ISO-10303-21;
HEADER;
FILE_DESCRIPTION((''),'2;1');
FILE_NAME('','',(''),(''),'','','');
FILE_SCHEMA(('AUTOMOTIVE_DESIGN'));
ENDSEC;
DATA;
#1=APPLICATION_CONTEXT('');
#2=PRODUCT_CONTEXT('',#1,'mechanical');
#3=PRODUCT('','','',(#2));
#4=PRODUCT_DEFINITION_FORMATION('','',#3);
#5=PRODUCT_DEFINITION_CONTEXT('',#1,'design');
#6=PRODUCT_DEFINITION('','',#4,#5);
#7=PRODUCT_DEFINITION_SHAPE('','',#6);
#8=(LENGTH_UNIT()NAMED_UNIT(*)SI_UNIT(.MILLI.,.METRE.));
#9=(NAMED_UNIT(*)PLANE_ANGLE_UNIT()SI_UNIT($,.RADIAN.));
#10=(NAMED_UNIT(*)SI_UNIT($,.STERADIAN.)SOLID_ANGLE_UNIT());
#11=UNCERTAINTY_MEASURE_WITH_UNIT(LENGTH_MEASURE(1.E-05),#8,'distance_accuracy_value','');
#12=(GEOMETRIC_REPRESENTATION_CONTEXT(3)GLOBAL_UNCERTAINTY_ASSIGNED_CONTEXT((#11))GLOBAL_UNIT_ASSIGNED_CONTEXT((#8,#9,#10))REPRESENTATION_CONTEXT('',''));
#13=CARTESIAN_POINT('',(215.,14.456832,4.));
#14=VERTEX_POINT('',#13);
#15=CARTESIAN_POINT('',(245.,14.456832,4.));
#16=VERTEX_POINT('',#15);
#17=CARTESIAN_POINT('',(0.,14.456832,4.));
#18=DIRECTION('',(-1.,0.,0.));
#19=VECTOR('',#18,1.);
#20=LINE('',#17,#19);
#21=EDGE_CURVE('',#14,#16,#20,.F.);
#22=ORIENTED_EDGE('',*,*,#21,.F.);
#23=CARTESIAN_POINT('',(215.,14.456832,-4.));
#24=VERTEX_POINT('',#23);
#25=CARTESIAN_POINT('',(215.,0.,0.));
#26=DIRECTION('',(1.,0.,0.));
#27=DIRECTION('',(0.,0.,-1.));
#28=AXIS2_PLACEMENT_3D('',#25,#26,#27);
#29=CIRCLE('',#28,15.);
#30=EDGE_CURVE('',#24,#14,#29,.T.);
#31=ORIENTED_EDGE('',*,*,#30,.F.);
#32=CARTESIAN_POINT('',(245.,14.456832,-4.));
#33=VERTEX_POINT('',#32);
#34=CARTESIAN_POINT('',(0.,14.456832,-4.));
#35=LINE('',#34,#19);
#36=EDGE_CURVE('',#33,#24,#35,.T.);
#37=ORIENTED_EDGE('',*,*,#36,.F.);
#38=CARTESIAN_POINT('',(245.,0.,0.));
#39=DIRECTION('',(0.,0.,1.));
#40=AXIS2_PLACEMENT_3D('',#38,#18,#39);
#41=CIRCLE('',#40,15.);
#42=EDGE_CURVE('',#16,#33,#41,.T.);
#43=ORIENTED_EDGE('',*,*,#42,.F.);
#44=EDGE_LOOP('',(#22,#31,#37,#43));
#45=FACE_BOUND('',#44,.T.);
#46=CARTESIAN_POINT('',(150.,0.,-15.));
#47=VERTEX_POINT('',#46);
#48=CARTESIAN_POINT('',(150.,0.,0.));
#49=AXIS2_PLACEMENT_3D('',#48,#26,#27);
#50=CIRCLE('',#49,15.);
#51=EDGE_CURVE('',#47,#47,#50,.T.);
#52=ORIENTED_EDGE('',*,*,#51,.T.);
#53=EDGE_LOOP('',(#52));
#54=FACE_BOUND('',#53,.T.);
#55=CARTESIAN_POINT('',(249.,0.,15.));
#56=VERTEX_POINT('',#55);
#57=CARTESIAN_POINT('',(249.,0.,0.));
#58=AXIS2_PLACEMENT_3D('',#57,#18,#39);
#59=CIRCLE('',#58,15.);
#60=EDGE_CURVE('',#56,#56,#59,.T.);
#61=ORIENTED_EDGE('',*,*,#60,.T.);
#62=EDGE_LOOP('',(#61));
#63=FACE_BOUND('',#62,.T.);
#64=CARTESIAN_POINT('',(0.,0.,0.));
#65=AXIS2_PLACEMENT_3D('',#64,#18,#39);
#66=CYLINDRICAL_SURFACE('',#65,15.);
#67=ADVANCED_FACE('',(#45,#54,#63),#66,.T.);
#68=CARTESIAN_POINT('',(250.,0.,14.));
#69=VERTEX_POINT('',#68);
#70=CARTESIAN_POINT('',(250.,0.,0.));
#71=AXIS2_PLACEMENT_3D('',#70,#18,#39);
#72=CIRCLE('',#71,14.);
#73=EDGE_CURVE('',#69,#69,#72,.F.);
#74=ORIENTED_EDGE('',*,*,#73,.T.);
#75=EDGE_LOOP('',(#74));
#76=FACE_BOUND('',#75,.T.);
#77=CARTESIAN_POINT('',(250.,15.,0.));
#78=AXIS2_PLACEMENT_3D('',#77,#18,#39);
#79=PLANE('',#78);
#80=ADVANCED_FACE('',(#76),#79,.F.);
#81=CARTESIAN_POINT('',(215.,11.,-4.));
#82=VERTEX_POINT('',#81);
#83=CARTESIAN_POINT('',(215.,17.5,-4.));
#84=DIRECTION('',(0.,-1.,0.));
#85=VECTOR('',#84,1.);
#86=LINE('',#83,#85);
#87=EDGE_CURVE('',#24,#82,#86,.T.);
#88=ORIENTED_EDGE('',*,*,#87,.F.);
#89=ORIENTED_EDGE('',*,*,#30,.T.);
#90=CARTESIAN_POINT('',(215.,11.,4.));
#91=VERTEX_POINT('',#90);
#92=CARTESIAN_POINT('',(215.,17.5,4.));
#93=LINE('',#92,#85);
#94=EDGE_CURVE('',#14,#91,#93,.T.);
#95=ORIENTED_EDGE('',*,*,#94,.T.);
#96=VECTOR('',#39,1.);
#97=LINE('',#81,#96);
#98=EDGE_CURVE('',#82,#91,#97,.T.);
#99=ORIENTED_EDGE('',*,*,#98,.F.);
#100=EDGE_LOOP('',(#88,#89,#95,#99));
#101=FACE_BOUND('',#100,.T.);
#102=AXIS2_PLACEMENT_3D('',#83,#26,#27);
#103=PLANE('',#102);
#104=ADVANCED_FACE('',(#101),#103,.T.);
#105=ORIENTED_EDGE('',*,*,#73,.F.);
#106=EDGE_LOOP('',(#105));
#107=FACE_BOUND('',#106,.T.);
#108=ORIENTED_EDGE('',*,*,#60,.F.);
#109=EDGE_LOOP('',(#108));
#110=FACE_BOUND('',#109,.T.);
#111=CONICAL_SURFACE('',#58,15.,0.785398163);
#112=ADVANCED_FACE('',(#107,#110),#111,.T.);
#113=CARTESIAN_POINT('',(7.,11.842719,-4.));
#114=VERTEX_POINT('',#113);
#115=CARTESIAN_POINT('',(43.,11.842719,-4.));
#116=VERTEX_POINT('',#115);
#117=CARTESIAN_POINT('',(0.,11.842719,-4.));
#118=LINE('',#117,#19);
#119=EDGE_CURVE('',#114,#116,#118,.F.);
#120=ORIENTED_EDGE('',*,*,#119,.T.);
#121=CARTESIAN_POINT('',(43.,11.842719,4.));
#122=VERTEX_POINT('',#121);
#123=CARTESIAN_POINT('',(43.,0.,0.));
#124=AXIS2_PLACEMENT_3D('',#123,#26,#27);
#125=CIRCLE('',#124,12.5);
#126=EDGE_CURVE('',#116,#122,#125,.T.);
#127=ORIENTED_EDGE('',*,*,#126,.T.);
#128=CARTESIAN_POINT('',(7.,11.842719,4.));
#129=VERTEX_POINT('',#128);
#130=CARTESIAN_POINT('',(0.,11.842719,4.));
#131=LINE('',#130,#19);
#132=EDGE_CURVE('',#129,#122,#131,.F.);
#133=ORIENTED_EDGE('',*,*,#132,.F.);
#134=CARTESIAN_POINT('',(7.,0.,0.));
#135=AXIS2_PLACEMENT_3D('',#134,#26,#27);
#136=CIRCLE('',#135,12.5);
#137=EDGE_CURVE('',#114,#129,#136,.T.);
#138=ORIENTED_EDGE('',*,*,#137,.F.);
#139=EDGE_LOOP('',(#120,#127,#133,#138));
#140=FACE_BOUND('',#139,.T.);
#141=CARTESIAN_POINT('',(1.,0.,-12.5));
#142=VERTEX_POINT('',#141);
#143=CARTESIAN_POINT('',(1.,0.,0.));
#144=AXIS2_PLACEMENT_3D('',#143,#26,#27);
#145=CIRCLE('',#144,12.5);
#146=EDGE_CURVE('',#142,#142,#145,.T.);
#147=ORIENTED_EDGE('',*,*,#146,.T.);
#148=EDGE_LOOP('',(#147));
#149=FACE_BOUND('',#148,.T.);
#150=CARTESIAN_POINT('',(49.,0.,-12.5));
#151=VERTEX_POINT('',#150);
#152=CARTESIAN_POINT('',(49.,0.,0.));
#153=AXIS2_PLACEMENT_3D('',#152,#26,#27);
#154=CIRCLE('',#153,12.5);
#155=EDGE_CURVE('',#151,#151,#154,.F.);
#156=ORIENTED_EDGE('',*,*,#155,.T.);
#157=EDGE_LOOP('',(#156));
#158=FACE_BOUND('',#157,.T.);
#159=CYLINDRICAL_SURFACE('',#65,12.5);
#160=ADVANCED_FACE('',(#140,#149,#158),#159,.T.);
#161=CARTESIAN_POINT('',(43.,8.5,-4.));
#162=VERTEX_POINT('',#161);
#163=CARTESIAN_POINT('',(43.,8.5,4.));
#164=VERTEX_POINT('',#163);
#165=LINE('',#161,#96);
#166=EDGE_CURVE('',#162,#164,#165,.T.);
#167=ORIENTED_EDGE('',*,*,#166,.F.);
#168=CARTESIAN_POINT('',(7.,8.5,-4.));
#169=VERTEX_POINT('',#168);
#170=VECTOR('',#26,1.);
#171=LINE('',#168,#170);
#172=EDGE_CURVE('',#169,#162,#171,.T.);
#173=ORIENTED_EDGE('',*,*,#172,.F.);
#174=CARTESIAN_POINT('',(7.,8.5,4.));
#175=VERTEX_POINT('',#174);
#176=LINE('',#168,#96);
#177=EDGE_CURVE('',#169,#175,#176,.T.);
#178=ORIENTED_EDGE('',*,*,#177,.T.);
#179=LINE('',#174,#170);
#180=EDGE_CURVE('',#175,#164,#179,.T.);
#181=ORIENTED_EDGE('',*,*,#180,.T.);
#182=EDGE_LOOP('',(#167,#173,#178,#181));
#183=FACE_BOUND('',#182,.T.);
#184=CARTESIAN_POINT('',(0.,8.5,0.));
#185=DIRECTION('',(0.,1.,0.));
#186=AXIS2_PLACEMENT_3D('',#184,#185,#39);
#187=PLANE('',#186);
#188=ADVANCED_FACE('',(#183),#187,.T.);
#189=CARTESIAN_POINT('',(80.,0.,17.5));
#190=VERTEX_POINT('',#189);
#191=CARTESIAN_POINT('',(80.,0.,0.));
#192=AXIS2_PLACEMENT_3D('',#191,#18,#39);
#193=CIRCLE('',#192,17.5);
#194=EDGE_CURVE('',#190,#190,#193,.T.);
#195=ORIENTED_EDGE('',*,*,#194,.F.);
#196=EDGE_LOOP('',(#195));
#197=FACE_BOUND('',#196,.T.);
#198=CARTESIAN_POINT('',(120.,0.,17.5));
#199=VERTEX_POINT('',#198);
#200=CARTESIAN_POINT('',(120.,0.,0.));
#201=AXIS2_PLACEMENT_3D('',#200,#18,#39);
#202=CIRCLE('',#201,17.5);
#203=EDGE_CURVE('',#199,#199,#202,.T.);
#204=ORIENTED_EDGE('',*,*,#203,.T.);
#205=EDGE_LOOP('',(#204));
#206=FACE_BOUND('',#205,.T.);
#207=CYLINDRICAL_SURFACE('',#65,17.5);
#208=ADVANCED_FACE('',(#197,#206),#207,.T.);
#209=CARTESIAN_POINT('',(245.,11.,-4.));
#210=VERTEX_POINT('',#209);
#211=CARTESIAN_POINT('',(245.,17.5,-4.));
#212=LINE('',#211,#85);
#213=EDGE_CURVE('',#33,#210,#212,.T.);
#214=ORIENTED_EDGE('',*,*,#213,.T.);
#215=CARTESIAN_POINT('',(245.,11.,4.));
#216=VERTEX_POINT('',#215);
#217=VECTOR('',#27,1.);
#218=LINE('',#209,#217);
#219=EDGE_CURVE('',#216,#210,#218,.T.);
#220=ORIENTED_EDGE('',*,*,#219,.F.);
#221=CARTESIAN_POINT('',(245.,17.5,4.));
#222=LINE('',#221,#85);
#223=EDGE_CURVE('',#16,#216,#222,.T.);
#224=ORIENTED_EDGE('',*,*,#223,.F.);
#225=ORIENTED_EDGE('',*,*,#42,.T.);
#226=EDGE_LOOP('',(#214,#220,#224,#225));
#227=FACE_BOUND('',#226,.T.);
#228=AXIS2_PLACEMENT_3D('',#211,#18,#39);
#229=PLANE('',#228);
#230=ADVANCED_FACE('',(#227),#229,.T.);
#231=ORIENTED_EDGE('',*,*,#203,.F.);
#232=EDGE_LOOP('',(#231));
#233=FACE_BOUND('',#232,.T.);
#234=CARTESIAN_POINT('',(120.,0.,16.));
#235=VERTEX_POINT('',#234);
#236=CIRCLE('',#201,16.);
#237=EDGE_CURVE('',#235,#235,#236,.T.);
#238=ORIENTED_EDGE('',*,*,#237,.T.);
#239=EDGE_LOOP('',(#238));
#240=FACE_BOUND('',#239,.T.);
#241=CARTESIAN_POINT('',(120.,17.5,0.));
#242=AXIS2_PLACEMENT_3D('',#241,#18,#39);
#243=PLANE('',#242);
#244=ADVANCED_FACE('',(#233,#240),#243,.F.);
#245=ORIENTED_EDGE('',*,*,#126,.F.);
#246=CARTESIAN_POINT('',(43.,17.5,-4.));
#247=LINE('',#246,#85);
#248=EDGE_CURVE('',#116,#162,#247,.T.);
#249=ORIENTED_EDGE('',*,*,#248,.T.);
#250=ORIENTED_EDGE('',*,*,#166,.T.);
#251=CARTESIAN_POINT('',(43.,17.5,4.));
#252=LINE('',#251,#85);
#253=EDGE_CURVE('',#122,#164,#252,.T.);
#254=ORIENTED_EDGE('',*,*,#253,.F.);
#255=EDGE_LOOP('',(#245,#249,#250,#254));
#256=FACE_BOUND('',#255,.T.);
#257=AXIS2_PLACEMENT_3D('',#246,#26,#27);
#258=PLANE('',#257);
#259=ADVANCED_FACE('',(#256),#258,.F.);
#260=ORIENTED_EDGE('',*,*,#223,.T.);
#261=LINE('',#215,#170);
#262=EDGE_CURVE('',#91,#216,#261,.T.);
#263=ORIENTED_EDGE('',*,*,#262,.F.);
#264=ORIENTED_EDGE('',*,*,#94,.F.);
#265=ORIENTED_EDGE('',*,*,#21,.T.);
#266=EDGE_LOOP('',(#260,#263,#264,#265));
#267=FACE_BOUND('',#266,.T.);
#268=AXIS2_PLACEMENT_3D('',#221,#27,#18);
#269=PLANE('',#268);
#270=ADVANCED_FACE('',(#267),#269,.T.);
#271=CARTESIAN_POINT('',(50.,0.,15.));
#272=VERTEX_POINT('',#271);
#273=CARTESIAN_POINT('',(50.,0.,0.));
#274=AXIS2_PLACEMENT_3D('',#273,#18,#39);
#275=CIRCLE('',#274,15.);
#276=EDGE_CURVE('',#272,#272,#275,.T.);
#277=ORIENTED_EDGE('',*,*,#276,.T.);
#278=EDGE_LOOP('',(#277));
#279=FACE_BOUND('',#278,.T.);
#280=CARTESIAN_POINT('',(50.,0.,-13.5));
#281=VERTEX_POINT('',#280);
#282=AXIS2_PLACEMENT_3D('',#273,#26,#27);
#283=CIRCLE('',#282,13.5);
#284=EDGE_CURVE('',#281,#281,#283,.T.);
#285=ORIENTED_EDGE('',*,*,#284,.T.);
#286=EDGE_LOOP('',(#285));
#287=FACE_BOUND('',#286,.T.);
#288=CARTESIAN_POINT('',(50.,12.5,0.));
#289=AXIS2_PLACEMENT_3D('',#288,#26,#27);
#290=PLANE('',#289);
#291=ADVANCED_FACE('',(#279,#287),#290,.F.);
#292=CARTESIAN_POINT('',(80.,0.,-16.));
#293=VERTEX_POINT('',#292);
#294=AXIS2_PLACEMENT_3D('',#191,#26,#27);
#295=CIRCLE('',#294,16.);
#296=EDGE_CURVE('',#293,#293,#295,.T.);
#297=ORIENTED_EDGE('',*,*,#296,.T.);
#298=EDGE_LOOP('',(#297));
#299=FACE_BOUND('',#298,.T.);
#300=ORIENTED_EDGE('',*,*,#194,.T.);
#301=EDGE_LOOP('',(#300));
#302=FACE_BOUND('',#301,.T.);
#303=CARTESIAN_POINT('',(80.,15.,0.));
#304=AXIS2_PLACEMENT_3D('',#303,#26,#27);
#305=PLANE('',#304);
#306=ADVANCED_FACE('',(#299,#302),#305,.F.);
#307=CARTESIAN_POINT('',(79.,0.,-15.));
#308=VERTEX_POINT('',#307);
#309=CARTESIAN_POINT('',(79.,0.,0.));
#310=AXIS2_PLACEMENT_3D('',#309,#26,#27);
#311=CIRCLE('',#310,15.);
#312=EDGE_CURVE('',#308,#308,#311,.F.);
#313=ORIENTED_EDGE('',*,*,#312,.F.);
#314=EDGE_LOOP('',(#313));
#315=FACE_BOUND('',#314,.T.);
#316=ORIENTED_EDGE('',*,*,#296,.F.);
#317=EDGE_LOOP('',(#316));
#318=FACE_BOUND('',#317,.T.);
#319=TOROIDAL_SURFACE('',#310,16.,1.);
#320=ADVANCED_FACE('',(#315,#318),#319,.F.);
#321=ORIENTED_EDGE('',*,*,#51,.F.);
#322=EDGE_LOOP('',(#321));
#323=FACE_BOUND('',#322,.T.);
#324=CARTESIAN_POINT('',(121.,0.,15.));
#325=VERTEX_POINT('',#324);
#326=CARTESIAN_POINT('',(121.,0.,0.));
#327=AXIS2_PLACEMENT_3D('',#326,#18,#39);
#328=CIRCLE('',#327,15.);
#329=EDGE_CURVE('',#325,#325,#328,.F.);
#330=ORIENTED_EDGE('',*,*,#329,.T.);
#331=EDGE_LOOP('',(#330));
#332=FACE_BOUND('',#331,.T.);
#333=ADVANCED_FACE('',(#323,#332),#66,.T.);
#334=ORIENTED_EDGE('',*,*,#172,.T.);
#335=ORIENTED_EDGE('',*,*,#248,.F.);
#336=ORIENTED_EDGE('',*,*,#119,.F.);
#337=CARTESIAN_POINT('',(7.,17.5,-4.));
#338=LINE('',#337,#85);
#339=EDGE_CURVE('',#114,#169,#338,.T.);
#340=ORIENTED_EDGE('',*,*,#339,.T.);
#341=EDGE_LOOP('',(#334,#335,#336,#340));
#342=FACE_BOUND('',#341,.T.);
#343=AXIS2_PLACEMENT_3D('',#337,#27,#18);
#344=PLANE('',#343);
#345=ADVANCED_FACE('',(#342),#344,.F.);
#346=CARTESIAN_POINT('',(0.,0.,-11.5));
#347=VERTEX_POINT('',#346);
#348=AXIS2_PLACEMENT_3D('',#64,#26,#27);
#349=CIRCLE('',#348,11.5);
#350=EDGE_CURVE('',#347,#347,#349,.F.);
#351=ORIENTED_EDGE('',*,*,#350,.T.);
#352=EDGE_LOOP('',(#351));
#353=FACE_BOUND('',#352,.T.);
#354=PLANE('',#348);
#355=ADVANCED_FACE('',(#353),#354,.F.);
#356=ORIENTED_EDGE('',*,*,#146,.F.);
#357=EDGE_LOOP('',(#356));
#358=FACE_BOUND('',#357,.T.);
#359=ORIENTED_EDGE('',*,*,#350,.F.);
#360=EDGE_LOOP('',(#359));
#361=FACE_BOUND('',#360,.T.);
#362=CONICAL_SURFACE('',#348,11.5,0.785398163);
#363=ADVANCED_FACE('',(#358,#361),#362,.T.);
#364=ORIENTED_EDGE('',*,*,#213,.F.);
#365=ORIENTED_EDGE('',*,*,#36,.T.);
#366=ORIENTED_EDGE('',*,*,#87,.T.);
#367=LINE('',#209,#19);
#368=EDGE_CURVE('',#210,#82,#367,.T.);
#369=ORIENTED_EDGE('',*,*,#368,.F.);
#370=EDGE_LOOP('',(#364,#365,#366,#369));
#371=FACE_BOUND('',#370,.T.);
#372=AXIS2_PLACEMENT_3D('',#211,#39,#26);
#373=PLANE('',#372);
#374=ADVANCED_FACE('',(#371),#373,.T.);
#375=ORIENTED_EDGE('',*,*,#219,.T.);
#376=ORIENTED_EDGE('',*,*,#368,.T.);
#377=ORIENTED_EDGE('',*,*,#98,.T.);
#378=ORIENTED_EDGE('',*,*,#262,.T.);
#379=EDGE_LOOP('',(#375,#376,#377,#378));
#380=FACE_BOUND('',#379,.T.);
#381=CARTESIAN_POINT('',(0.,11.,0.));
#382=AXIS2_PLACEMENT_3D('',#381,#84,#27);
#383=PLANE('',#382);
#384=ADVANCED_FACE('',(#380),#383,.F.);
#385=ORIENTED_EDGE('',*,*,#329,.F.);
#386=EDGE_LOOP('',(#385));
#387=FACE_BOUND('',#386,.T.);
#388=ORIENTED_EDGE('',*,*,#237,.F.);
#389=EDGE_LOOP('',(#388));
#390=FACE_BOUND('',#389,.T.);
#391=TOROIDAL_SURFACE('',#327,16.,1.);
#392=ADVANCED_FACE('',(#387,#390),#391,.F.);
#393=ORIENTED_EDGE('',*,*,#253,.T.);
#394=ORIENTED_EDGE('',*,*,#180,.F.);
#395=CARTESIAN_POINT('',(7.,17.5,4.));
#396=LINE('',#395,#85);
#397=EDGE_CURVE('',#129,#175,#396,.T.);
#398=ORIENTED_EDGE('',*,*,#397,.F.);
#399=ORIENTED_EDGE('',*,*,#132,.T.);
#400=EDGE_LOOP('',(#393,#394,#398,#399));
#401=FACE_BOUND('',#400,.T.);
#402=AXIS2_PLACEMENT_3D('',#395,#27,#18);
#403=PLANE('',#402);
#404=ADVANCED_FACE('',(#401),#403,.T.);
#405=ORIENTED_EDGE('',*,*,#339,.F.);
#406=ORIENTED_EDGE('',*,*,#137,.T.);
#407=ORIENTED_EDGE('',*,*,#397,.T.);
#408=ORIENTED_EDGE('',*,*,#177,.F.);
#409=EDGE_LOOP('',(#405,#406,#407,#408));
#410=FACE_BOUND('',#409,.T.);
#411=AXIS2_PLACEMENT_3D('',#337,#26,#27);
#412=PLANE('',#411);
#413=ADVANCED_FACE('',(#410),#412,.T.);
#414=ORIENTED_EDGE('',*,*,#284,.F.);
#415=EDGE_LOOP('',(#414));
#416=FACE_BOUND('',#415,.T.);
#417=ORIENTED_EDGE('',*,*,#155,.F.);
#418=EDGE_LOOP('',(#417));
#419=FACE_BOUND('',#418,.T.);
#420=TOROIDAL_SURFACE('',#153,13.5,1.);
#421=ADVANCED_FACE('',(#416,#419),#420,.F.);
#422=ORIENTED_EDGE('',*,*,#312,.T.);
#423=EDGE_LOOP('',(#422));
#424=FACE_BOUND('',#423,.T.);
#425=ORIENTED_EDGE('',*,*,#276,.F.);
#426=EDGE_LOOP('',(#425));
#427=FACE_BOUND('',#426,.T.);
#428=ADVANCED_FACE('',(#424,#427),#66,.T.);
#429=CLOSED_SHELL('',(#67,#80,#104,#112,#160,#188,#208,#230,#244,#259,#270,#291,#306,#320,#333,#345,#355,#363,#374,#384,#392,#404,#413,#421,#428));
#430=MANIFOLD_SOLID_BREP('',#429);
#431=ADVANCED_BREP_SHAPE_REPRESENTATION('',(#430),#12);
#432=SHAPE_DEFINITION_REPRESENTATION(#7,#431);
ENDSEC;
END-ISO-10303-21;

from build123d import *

# Parameters (mm, degrees)
SKETCH2_W          = 36
SKETCH2_H          = 8
CUT_EXTRUDE2_DEPTH = 252.956841542
SKETCH3_W          = 30
SKETCH3_H          = 8
CUT_EXTRUDE3_DEPTH = 253.227080227
FILLET1_R          = 1
CHAMFER1_SIZE      = 1


with BuildPart() as part:
    # Sketch1 → Revolve1 (revolve)
    with BuildSketch(Plane.XY, mode=Mode.PRIVATE) as revolve1_sk:
        Polygon((0, 0), (0, 12.5), (50, 12.5), (50, 15), (80, 15), (80, 17.5), (120, 17.5), (120, 15), (250, 15), (250, 0), align=None)
    revolve(revolve1_sk.sketch.rotate(Axis((0, 0, 0), (1, 0, 0)), 90), axis=Axis((0, 0, 0), (1, 0, 0)))

    # Sketch2 → Cut-Extrude2 (cut, through all)
    with BuildSketch(Plane(origin=(0, 8.5, 0), x_dir=(1, 0, 0), z_dir=(0, 1, 0))):
        with Locations((25, 0)):
            Rectangle(SKETCH2_W, SKETCH2_H)
    extrude(amount=CUT_EXTRUDE2_DEPTH, mode=Mode.SUBTRACT)

    # Sketch3 → Cut-Extrude3 (cut, through all)
    with BuildSketch(Plane(origin=(0, 11, 0), x_dir=(1, 0, 0), z_dir=(0, 1, 0))):
        with Locations((230, 0)):
            Rectangle(SKETCH3_W, SKETCH3_H)
    extrude(amount=CUT_EXTRUDE3_DEPTH, mode=Mode.SUBTRACT)

    # Fillet1
    fillet1_edges = [part.edges().sort_by_distance(p)[0] for p in [
        (80, 0, -15),
        (50, 0, -12.5),
        (120, 0, -15),
    ]]
    fillet(fillet1_edges, radius=FILLET1_R)

    # Chamfer1
    chamfer1_edges = [part.edges().sort_by_distance(p)[0] for p in [
        (0, 0, -12.5),
        (250, 0, -15),
    ]]
    chamfer(chamfer1_edges, length=CHAMFER1_SIZE)


solid = part.part
